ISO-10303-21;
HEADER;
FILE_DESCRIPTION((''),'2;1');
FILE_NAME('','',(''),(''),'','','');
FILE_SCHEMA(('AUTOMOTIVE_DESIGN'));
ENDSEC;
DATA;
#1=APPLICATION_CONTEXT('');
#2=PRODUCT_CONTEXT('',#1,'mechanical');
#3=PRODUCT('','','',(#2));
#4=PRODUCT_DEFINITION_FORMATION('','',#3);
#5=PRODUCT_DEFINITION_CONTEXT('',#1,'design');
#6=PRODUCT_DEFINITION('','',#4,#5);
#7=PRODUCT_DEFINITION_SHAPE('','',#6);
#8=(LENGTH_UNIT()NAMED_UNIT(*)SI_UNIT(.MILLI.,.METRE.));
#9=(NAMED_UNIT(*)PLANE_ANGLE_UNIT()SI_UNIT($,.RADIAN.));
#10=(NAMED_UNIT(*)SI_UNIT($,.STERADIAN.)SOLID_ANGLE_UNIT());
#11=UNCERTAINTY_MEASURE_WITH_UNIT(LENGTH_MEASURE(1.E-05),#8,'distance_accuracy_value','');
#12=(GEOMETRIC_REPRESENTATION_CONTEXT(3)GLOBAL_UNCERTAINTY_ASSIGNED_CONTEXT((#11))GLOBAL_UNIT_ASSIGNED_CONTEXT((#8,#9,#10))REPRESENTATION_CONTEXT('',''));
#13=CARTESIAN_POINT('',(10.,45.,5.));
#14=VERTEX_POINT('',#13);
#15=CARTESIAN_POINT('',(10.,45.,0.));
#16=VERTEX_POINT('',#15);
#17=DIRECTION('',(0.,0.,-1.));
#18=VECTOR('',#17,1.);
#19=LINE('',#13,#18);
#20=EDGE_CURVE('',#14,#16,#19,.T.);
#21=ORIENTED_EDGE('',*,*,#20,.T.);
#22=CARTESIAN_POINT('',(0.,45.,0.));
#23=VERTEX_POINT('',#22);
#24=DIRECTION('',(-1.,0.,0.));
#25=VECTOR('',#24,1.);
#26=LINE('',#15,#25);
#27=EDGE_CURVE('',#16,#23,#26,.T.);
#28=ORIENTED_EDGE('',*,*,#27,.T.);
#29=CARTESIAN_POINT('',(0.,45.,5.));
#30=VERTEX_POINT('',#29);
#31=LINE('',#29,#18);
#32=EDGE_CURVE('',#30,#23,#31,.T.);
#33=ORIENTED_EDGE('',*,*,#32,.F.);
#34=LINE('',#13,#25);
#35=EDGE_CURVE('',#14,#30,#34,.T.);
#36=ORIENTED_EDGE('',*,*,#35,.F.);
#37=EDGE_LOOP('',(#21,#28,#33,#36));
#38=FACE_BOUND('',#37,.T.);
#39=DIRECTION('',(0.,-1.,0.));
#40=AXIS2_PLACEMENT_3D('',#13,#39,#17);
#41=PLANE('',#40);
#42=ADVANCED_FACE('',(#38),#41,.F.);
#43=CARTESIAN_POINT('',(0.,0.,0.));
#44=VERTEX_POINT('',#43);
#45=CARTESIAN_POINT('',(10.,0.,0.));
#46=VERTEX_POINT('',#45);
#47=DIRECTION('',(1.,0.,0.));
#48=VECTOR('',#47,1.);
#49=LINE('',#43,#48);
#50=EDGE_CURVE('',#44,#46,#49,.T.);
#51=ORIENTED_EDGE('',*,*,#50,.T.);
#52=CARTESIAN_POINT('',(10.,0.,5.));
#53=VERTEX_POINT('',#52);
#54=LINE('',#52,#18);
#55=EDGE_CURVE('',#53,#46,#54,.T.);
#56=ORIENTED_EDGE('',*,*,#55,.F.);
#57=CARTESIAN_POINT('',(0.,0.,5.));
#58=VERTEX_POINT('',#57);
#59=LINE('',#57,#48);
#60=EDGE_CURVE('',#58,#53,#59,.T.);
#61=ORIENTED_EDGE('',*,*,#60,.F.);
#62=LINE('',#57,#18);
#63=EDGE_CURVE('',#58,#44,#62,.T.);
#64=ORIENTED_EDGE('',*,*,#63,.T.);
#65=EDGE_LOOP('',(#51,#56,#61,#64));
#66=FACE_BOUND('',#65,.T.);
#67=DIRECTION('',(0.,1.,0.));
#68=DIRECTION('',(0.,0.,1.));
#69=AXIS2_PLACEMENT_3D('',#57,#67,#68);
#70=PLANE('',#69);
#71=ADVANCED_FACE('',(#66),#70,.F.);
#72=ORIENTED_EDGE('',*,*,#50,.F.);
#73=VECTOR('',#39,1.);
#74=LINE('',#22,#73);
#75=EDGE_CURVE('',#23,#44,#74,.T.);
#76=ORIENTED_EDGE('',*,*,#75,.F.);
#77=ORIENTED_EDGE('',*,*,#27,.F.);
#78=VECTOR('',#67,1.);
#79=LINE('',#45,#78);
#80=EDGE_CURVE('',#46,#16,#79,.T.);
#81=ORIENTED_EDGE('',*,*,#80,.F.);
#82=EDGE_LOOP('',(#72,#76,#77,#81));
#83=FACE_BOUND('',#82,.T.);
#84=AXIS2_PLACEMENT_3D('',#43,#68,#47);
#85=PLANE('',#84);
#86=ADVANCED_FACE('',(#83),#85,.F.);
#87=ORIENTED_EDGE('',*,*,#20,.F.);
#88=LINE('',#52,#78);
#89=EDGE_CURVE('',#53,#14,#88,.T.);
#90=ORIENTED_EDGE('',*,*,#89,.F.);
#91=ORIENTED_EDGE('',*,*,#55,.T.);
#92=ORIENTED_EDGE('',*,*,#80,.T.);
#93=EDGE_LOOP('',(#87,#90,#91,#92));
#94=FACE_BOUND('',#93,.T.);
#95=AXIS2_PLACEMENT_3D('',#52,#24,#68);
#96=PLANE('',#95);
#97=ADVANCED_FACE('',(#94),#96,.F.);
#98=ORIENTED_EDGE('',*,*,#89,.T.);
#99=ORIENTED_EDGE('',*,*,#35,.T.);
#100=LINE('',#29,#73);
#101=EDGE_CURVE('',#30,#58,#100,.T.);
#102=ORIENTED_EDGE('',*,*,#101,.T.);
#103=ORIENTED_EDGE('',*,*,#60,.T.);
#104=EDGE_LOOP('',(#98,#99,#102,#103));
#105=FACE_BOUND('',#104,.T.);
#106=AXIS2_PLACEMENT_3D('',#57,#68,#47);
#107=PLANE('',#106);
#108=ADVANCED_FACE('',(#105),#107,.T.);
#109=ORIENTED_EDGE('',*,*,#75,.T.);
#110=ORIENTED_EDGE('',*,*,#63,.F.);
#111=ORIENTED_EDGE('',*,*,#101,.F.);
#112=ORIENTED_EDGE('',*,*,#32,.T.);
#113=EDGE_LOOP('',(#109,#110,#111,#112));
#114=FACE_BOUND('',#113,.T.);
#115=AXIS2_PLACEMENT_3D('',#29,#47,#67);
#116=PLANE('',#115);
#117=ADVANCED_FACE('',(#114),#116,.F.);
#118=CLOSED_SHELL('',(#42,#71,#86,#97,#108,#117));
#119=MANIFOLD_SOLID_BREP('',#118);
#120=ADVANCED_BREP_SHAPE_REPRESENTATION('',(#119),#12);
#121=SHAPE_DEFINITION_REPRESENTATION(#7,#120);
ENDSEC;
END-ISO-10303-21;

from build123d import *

# Parameters (mm, degrees)
ESQUISSE1_W      = 10
ESQUISSE1_H      = 45
EXTRUSION1_DEPTH = 5


with BuildPart() as part:
    # Esquisse1 → Extrusion1 (new body)
    with BuildSketch(Plane.XY):
        with Locations((5, 22.5)):
            Rectangle(ESQUISSE1_W, ESQUISSE1_H)
    extrude(amount=EXTRUSION1_DEPTH)


solid = part.part
